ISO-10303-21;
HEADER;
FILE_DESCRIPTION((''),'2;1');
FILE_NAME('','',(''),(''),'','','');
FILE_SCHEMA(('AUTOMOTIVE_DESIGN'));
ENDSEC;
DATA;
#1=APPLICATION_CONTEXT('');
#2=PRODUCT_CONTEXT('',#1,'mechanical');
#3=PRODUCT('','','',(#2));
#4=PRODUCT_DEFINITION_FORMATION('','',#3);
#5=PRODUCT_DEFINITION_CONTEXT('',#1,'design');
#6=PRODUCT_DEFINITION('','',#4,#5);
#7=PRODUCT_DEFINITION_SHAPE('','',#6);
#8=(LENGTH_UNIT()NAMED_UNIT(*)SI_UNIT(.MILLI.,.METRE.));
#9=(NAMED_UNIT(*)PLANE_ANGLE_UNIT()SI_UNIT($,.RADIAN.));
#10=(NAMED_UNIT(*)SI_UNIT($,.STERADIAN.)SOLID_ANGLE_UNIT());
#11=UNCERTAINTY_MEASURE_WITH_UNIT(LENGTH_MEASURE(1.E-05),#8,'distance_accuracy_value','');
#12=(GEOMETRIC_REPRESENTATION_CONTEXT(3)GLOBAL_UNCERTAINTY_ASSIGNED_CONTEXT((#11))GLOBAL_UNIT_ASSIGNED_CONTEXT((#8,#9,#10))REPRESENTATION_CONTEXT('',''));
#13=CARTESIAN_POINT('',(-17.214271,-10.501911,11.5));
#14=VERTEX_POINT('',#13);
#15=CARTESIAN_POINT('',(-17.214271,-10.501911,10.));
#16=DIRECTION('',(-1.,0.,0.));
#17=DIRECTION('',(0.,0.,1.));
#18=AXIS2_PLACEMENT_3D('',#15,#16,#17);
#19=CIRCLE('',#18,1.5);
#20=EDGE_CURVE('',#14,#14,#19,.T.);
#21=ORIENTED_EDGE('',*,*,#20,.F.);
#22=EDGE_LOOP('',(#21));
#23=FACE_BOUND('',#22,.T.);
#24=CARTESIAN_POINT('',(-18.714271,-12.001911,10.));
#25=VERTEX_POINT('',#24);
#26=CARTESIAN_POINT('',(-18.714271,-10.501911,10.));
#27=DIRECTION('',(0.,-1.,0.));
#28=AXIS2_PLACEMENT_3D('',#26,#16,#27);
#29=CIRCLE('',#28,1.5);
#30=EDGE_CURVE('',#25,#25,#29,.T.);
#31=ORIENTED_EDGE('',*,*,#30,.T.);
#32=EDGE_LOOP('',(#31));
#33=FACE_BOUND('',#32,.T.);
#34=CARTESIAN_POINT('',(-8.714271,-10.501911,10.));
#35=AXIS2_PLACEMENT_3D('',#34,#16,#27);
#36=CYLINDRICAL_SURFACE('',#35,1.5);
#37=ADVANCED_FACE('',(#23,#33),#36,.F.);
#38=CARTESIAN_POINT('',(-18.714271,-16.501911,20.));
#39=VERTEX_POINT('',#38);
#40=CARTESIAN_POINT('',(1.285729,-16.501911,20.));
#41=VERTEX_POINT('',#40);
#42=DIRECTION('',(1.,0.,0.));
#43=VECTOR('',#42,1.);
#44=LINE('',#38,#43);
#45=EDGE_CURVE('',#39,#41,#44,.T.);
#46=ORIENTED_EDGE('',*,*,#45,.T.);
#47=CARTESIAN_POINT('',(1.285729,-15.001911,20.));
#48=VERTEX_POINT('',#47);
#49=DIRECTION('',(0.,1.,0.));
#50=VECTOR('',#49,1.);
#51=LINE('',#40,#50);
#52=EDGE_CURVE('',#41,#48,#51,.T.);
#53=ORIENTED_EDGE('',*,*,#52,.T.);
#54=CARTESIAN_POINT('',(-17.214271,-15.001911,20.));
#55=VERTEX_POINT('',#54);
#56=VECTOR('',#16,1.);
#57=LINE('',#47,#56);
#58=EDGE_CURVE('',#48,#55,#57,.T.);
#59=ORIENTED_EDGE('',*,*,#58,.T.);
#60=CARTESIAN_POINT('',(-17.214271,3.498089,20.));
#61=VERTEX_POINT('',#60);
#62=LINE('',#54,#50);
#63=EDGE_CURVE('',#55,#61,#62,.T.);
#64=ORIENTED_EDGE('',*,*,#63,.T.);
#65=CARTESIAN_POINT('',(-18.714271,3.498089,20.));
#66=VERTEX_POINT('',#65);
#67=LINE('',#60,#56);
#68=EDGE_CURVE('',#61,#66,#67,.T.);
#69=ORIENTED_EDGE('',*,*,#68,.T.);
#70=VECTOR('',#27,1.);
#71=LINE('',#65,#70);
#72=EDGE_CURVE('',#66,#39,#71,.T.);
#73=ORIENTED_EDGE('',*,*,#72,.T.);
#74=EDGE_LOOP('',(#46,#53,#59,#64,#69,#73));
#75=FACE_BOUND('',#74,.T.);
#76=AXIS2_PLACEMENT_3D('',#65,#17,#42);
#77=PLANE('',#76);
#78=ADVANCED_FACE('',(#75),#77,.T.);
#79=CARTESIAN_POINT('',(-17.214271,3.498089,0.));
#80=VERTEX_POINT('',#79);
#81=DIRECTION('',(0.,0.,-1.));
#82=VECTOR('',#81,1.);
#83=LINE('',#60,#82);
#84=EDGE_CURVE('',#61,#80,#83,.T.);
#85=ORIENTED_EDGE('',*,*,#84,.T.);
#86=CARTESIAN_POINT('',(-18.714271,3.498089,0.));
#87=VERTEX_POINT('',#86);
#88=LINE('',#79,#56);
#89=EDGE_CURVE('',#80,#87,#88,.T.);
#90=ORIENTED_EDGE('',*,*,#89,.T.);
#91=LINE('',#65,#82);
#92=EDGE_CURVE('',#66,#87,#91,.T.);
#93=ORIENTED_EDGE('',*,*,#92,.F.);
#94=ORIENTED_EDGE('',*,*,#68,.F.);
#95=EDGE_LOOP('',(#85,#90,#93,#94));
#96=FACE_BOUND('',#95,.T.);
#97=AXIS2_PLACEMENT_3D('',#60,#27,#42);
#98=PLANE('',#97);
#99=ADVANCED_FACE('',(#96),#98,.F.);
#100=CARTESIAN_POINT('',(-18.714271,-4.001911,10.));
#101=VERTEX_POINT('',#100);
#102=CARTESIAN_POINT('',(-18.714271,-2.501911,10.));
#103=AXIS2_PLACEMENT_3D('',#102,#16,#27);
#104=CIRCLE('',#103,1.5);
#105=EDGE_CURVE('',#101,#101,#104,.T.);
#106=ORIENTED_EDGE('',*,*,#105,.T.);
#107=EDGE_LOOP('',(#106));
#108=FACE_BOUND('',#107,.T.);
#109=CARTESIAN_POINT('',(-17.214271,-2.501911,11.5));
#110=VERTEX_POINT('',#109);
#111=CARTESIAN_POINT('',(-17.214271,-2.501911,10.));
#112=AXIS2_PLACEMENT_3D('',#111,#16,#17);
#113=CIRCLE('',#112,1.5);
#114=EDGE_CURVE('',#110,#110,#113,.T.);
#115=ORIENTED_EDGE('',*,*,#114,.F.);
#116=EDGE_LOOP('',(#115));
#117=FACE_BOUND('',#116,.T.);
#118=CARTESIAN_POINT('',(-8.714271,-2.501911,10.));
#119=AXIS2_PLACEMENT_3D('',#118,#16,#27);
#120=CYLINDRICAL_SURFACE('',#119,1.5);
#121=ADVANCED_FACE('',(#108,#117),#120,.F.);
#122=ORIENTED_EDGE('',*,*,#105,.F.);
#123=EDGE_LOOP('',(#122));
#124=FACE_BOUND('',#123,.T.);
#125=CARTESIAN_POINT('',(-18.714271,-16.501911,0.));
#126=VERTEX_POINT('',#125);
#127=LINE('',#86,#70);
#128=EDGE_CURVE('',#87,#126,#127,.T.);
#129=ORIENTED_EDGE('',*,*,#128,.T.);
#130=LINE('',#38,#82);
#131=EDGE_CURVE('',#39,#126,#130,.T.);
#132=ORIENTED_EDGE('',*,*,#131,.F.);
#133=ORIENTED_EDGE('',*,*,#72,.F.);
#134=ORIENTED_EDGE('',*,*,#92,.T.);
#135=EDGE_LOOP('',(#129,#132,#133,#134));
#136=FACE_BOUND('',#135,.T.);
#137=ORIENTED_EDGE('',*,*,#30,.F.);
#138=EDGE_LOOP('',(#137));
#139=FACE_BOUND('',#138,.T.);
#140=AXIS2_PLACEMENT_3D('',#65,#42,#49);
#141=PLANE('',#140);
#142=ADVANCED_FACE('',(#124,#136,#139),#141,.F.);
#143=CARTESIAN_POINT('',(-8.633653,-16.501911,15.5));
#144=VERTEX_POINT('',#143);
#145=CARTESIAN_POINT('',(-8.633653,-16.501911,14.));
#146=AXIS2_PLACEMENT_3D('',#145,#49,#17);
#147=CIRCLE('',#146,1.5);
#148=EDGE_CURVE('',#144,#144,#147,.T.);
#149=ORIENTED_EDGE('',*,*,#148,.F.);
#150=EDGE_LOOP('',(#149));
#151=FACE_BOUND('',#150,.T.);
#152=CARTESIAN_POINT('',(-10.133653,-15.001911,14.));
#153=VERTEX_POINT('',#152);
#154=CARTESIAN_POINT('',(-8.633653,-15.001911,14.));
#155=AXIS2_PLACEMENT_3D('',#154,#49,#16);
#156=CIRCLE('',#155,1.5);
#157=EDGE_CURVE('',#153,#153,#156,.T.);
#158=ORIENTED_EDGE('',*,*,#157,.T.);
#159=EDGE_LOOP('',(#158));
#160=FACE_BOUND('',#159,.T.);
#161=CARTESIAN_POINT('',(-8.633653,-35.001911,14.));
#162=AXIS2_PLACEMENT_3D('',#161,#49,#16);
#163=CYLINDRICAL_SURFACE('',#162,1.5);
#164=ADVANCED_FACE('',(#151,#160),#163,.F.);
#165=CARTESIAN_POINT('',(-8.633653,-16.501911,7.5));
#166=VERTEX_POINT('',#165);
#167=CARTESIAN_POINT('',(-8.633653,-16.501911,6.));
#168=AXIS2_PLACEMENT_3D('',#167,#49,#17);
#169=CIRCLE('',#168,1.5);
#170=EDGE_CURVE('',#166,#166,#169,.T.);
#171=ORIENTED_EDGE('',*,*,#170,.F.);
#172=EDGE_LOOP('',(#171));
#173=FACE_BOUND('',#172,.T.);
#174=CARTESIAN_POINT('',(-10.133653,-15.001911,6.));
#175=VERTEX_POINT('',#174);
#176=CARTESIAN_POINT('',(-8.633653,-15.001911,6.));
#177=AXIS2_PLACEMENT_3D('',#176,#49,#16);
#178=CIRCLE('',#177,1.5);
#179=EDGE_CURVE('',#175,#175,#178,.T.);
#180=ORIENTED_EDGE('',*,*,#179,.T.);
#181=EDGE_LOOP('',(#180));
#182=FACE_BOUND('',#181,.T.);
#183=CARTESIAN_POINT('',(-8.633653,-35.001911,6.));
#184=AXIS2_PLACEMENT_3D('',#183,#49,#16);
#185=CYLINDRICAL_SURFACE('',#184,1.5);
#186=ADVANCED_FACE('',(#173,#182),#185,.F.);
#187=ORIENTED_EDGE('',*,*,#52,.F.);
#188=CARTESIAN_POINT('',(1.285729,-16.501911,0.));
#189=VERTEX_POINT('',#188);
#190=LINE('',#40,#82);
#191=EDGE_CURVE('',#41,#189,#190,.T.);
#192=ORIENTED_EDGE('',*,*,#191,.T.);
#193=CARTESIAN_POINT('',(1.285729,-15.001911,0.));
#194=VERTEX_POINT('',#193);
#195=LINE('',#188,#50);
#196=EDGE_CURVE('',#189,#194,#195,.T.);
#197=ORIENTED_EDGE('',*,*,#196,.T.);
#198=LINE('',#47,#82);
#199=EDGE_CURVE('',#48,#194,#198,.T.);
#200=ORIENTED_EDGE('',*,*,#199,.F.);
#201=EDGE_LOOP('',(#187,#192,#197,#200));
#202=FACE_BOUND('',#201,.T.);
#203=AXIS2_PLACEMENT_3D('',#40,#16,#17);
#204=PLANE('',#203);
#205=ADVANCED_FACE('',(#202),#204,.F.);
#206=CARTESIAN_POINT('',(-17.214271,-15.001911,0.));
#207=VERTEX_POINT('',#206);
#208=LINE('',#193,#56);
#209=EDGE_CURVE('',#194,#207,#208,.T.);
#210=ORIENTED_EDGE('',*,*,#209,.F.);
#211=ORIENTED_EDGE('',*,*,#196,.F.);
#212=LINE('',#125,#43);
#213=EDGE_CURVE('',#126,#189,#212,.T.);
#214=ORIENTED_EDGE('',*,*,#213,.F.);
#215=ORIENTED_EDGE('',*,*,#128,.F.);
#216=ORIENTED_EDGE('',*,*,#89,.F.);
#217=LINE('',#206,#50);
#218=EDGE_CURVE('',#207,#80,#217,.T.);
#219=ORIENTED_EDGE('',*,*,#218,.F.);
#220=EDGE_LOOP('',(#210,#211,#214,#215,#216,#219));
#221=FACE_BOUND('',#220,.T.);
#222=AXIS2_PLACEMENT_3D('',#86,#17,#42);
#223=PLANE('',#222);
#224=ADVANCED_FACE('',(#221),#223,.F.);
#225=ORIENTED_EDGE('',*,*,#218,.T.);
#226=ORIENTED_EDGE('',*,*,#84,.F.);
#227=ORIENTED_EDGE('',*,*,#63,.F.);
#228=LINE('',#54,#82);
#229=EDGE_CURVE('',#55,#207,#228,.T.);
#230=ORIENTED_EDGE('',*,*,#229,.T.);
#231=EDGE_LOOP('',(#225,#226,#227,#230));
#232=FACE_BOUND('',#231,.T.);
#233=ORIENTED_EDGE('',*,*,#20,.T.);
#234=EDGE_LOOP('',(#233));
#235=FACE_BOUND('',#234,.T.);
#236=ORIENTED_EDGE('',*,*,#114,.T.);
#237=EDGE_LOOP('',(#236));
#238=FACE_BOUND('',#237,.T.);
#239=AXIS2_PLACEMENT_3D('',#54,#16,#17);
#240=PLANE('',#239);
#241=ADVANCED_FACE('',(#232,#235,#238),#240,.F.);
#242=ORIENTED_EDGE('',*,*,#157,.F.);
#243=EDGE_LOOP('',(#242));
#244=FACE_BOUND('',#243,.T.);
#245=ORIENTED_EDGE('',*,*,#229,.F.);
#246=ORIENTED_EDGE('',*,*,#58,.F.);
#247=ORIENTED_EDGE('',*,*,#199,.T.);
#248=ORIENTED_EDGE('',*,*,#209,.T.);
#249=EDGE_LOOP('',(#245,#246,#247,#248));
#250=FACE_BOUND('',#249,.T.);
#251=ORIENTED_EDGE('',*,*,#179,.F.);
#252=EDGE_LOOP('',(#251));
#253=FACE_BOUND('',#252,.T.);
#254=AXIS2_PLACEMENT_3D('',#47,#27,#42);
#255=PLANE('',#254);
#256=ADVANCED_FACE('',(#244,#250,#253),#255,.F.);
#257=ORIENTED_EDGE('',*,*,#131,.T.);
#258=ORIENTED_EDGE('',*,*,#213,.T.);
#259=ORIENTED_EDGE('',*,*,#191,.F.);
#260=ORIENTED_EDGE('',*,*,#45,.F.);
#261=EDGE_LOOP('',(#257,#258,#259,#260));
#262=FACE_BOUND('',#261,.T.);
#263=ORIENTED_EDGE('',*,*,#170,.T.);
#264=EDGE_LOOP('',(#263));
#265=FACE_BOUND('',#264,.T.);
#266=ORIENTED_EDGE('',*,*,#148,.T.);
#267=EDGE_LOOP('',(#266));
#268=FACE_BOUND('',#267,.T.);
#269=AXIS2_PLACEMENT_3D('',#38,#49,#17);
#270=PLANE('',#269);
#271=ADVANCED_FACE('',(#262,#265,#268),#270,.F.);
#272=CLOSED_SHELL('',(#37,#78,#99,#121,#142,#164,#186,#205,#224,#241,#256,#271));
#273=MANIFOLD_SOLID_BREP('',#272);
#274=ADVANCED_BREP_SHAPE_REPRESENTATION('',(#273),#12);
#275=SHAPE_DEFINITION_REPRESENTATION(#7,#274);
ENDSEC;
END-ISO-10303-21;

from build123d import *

# Parameters (mm, degrees)
EXTRUSION1_DEPTH = 20
ESQUISSE2_R      = 1.5
EXTRUSION2_DEPTH = 20
ESQUISSE3_R      = 1.5
EXTRUSION3_DEPTH = 10


with BuildPart() as part:
    # Esquisse1 → Extrusion1 (new body)
    with BuildSketch(Plane.XY):
        Polygon((-18.714271359, 3.498089172), (-18.714271359, -16.501910828), (1.285728641, -16.501910828), (1.285728641, -15.001910828), (-17.214271359, -15.001910828), (-17.214271359, 3.498089172), align=None)
    extrude(amount=EXTRUSION1_DEPTH)

    # Esquisse2 → Extrusion2 (cut)
    with BuildSketch(Plane(origin=(0, -15.001910828, 0), x_dir=(-1, 0, 0), z_dir=(0, 1, 0))):
        with Locations((8.633652734, 14)):
            Circle(ESQUISSE2_R)
        with Locations((8.633652734, 6)):
            Circle(ESQUISSE2_R)
    extrude(amount=-EXTRUSION2_DEPTH, mode=Mode.SUBTRACT)

    # Esquisse3 → Extrusion3 (cut)
    with BuildSketch(Plane.ZY.offset(18.714271359)):
        with Locations(Location((10, -10.501910828, 0), (0, 0, 270))):
            Circle(ESQUISSE3_R)
        with Locations(Location((10, -2.501910828, 0), (0, 0, 270))):
            Circle(ESQUISSE3_R)
    extrude(amount=-EXTRUSION3_DEPTH, mode=Mode.SUBTRACT)


solid = part.part
